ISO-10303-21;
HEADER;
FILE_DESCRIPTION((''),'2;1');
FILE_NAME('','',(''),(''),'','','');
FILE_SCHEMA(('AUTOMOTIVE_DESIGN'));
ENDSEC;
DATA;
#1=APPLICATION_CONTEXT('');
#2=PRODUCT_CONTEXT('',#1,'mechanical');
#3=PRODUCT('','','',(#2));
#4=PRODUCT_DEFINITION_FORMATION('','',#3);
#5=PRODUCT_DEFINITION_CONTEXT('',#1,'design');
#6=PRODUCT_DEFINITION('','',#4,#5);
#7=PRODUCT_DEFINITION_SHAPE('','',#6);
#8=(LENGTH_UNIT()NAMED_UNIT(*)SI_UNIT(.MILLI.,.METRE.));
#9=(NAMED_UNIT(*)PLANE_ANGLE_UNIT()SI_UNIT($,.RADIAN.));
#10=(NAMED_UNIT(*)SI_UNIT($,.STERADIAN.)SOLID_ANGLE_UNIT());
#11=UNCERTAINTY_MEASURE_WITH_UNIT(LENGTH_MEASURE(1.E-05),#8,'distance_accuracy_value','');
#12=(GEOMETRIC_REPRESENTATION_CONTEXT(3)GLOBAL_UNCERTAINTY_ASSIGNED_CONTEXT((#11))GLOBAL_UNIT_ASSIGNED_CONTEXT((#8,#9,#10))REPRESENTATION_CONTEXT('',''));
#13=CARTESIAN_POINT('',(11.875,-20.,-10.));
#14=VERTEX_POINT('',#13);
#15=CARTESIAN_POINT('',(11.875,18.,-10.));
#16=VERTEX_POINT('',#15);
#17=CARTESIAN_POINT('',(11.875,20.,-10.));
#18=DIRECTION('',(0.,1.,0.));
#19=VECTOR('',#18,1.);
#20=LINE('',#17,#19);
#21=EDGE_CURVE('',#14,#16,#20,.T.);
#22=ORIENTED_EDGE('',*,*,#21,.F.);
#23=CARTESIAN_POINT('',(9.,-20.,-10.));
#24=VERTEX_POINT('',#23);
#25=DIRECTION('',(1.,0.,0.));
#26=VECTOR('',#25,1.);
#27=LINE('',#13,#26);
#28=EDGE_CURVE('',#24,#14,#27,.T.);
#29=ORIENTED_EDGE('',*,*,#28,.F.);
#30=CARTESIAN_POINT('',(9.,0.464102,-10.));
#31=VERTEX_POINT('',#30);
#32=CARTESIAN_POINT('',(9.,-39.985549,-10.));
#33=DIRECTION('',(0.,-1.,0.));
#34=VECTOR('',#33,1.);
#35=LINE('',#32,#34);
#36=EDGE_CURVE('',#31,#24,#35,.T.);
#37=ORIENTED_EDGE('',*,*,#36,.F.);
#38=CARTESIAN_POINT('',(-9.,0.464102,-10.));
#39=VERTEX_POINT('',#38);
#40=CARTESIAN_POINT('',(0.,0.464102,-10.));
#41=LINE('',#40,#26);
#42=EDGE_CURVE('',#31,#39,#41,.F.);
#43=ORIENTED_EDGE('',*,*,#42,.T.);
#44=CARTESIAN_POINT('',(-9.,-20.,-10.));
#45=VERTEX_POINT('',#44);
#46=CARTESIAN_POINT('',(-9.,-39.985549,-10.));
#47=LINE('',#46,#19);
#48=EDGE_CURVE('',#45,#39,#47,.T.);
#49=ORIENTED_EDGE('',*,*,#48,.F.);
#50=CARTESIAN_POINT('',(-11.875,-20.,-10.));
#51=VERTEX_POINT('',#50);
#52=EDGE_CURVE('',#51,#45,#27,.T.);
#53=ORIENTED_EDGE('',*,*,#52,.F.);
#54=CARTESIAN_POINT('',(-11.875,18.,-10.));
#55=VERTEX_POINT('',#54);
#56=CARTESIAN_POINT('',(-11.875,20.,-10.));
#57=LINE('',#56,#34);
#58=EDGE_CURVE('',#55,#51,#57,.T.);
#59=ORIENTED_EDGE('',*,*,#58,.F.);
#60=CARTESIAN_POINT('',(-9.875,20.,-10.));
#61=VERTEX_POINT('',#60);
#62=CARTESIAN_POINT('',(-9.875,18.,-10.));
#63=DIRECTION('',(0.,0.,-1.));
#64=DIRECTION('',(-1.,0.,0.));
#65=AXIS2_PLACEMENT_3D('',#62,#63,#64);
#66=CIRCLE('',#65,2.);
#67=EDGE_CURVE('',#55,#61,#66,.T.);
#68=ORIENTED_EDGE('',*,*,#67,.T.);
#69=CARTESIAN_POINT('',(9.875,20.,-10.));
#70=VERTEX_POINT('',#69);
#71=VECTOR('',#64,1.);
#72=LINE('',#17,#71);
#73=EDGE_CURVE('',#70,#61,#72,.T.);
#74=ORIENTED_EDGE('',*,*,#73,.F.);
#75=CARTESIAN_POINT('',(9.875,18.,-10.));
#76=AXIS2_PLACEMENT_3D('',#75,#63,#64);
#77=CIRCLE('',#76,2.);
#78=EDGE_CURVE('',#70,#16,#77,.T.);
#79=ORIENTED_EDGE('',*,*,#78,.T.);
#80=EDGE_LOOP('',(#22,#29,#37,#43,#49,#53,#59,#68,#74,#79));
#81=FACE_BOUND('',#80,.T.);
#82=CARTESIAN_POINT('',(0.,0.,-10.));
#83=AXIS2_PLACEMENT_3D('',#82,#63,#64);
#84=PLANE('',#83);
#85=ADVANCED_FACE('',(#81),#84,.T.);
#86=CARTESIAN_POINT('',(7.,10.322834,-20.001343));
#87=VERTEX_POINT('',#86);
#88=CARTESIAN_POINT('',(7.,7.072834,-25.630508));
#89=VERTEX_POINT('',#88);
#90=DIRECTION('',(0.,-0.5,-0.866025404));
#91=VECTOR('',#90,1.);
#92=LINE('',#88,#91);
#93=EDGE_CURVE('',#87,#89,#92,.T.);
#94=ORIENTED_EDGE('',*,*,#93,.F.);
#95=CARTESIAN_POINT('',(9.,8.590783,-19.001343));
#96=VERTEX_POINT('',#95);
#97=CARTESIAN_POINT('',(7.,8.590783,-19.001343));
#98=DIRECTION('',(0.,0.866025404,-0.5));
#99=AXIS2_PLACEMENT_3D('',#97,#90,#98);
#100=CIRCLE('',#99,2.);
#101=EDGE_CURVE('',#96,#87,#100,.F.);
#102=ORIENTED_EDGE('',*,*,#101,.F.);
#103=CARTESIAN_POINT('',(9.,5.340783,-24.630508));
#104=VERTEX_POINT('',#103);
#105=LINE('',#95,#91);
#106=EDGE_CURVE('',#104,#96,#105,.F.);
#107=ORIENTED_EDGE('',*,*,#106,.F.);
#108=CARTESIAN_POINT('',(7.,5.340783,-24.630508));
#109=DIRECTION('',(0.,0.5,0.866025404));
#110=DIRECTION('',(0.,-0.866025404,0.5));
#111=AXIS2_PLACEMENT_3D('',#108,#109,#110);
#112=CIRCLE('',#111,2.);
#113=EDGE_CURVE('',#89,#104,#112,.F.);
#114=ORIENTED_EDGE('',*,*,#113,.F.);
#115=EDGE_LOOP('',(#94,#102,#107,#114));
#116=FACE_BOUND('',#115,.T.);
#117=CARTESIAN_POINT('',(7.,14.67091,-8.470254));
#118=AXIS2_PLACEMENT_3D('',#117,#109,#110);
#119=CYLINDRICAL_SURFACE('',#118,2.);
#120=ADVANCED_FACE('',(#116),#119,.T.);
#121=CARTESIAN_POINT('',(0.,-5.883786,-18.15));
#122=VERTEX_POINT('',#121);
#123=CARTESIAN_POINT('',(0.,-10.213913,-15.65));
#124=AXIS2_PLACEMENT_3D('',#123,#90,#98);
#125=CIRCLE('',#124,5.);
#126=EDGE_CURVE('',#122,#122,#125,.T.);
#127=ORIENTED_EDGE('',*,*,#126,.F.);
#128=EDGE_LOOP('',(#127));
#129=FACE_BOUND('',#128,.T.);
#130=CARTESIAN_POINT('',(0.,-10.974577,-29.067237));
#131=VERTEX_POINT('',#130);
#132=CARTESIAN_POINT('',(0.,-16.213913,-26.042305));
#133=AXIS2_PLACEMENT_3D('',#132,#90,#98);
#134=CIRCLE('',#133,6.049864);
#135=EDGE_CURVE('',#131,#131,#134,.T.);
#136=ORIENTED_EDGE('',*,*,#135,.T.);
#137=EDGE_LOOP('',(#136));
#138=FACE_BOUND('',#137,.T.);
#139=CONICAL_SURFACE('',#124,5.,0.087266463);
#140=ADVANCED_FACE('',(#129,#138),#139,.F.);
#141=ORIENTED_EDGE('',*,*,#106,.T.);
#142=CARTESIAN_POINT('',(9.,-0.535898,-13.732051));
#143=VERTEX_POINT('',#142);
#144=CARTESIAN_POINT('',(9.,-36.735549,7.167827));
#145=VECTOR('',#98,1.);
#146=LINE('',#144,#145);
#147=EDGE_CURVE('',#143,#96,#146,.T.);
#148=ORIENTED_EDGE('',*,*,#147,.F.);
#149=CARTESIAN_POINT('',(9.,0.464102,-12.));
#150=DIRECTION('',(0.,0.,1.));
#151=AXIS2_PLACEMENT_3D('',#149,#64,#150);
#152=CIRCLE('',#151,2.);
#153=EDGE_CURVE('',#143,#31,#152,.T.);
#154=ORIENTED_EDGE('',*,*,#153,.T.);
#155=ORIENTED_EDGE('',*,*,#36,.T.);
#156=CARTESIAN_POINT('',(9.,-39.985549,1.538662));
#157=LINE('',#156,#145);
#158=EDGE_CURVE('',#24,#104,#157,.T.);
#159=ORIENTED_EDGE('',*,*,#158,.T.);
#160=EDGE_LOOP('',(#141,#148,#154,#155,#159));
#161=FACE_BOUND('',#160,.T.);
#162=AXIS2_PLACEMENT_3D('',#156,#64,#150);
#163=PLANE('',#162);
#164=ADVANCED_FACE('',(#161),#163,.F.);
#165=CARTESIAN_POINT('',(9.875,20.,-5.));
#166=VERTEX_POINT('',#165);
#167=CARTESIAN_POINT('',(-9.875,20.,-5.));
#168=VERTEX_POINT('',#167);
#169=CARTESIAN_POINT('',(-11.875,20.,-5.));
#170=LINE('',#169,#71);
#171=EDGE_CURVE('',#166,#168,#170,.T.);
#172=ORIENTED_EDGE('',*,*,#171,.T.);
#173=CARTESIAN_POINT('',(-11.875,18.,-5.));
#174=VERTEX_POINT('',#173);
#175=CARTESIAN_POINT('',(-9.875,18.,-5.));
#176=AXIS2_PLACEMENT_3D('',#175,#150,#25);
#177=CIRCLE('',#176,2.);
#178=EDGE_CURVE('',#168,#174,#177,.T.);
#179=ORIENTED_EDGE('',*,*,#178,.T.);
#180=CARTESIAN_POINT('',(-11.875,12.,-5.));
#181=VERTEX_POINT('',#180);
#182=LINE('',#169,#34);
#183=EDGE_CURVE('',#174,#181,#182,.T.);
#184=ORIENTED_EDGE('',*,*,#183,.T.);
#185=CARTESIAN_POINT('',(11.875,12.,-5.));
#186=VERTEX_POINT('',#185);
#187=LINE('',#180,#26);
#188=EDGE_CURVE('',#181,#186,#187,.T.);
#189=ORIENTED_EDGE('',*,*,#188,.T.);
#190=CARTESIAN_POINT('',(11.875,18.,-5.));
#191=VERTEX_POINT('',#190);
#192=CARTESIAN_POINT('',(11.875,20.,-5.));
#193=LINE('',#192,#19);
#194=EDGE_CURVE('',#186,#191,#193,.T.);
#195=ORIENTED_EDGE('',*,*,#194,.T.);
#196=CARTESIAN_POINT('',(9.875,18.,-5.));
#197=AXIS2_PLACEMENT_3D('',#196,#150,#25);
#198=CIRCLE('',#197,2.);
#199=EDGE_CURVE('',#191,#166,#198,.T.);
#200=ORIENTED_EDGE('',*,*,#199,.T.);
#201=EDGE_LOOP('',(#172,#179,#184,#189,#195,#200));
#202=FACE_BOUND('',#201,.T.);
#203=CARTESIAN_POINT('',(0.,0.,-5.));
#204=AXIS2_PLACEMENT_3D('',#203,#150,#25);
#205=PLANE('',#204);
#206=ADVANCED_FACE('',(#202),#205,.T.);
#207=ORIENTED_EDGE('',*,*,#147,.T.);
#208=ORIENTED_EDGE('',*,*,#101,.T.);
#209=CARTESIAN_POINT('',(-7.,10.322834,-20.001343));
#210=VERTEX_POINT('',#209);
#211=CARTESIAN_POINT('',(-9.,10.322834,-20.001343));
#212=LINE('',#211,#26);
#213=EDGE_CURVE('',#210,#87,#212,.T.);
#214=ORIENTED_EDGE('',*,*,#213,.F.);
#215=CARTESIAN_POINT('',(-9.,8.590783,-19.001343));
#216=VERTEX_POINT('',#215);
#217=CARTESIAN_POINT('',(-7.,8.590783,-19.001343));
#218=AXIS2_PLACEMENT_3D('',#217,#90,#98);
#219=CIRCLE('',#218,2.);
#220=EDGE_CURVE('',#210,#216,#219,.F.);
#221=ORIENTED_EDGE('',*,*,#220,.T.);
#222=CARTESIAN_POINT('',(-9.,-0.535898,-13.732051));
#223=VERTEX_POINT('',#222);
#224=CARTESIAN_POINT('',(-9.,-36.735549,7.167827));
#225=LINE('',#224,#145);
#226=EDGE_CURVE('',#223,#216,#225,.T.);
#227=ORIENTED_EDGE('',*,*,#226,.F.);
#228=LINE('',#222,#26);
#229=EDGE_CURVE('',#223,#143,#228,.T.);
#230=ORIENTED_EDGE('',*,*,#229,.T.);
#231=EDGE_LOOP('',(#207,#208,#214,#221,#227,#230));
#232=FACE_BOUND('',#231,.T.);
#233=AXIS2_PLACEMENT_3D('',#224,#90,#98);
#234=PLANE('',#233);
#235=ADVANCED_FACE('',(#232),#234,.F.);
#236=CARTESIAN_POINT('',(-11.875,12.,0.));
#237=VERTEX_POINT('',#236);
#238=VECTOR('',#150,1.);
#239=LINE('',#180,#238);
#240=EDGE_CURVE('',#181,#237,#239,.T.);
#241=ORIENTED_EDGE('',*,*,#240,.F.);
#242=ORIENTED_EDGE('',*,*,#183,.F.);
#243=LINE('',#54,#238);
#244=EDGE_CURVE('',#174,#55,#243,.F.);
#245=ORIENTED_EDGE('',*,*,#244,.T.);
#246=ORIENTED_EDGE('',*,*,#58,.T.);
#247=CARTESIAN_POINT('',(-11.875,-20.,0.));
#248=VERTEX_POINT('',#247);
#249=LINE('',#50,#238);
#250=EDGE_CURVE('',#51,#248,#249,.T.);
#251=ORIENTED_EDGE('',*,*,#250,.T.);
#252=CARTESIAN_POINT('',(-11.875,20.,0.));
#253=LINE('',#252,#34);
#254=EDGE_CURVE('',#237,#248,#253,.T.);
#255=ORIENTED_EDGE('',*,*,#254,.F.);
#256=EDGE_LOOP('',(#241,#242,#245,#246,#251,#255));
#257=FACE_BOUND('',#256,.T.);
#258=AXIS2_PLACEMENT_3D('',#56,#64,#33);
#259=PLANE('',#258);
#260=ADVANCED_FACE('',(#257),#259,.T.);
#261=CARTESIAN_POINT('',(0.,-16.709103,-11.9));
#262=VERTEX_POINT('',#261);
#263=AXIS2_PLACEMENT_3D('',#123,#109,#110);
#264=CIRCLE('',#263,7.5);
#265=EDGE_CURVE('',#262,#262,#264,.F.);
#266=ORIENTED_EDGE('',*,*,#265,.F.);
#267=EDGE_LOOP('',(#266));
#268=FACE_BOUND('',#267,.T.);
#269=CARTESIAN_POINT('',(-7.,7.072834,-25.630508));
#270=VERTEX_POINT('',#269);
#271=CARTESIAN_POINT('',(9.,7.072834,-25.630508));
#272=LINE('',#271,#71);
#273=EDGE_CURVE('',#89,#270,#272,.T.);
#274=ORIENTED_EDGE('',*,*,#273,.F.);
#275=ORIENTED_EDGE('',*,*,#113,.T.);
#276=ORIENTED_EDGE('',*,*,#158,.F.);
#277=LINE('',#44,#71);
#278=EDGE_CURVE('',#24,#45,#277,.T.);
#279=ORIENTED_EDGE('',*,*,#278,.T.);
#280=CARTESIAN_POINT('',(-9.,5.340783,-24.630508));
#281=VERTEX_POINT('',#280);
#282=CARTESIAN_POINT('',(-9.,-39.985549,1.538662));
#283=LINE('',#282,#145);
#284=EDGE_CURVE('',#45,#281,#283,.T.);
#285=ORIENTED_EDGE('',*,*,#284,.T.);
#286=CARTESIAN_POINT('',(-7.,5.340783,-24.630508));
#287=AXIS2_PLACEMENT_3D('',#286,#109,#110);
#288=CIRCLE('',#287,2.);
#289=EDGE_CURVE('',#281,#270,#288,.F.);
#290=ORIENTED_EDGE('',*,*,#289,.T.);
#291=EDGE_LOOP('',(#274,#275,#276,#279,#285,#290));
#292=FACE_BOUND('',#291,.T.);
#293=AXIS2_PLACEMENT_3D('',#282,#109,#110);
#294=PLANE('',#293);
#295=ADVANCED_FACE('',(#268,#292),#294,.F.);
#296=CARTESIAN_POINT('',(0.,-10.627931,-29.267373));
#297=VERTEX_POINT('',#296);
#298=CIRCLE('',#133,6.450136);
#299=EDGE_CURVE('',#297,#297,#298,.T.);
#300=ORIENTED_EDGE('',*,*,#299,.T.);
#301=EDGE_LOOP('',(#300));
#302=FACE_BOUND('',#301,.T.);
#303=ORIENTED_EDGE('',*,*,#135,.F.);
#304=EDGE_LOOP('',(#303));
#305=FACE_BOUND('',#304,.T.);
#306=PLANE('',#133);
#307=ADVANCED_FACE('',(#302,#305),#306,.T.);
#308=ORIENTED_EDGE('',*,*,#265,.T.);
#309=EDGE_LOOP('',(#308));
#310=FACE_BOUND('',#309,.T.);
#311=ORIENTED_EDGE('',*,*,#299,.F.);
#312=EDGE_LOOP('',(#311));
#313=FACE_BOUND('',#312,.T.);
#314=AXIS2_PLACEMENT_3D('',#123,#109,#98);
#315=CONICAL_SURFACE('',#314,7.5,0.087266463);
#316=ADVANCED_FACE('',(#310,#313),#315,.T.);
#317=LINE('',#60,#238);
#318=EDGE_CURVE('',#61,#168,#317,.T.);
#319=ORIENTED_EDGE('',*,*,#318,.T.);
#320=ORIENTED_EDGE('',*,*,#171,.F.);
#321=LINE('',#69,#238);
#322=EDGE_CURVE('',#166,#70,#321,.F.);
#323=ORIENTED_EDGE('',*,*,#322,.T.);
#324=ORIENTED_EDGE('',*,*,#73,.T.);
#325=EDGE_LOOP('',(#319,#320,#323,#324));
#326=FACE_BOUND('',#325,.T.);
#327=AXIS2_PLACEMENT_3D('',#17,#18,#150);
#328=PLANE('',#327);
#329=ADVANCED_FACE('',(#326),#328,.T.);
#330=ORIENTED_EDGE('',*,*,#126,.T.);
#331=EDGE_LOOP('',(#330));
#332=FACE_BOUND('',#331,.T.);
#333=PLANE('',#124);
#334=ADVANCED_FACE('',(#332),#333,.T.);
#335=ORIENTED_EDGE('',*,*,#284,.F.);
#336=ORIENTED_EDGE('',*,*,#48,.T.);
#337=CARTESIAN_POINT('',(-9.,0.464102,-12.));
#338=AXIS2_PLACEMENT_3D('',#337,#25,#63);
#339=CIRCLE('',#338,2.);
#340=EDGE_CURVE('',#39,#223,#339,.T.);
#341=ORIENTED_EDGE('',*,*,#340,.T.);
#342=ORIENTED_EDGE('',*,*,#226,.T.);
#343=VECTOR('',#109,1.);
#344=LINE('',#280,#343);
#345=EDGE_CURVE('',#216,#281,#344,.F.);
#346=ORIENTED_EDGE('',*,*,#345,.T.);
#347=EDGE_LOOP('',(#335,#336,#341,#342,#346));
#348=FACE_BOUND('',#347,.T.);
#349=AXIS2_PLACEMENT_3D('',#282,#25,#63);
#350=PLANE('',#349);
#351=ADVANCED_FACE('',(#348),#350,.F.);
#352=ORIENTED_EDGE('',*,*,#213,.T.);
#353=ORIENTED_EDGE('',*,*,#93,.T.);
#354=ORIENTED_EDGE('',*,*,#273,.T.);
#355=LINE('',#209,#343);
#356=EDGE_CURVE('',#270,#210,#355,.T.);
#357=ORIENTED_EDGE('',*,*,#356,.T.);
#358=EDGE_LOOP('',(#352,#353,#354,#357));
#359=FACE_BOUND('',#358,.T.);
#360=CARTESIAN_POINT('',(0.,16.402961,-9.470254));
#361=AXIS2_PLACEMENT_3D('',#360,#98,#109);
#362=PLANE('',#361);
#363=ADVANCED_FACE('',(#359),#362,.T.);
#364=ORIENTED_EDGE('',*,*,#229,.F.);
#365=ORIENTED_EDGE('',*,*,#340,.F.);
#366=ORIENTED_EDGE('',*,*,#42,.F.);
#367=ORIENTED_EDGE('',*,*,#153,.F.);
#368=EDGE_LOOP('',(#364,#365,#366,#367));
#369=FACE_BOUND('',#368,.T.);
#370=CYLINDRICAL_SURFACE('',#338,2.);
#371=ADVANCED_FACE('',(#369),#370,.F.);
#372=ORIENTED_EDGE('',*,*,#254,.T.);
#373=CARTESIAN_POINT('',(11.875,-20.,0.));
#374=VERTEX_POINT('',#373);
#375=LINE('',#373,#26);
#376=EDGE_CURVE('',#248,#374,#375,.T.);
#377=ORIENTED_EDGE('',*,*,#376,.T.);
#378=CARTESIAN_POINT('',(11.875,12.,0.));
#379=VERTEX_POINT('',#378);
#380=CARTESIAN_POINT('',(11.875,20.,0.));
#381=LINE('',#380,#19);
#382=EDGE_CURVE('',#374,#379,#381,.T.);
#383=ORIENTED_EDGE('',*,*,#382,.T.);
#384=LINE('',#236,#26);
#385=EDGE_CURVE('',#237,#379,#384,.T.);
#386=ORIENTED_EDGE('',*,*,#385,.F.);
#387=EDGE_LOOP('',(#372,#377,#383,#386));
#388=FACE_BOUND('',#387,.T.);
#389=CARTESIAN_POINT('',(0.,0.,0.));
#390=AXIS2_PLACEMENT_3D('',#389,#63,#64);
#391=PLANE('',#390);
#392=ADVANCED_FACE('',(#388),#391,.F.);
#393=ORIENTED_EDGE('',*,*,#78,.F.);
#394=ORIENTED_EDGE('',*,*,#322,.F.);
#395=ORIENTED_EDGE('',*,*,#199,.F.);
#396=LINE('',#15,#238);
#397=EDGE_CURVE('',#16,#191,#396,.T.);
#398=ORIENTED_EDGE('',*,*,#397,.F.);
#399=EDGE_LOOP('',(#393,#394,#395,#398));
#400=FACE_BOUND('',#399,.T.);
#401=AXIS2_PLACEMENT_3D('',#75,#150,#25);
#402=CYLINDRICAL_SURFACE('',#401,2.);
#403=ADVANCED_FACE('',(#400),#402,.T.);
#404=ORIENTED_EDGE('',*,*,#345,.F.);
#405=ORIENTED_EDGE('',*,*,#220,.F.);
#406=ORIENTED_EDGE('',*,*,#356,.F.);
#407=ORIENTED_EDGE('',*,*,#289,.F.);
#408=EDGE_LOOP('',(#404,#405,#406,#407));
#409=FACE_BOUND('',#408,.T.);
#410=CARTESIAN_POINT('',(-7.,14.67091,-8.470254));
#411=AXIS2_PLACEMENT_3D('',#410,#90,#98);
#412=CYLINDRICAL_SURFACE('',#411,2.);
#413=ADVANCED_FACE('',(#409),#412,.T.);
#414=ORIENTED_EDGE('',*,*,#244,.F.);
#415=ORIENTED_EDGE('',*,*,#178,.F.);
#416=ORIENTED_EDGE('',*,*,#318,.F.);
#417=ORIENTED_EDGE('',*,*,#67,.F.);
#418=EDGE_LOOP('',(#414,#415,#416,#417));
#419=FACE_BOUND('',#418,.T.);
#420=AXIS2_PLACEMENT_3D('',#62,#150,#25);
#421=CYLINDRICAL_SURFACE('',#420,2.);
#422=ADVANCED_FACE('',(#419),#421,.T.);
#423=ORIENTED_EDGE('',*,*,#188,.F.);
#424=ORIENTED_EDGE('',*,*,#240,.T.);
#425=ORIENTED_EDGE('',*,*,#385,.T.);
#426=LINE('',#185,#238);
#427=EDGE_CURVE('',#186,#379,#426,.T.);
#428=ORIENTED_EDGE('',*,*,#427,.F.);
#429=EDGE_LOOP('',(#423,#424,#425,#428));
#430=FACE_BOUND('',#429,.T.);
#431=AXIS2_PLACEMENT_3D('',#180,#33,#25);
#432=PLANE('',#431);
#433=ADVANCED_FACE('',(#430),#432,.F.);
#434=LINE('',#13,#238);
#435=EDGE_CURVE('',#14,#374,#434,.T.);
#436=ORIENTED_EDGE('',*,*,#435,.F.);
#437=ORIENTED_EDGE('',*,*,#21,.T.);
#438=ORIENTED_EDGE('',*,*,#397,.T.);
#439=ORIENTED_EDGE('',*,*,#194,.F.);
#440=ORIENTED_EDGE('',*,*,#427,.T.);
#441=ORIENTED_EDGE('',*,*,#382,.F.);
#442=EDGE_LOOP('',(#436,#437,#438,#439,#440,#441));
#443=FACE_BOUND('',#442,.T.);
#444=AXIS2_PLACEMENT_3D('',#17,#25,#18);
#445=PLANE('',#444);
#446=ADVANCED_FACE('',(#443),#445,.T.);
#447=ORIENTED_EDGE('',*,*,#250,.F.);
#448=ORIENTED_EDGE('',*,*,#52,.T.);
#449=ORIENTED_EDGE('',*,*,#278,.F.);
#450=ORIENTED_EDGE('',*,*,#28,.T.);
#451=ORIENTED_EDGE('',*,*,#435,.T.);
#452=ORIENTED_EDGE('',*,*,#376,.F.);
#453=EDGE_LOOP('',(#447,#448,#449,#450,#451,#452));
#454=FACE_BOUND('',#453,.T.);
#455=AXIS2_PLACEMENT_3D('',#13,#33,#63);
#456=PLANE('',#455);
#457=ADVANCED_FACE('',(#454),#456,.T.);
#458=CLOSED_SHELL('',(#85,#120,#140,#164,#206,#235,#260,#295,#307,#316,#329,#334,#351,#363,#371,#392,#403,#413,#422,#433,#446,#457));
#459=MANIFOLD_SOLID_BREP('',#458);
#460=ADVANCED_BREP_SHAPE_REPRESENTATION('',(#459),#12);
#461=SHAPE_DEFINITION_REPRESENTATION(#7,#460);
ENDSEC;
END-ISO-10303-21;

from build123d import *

# Parameters (mm, degrees)
SKETCH1_W           = 23.75
SKETCH1_H           = 40
BOSS_EXTRUDE1_DEPTH = 10
SKETCH2_W           = 23.75
SKETCH2_H           = 8
CUT_EXTRUDE1_DEPTH  = 5
FILLET1_R           = 2
BOSS_EXTRUDE3_REACH = 44.573
SKETCH6_W           = 18
SKETCH6_H           = 6.5
SKETCH7_W           = 18
SKETCH7_H           = 6.5
CUT_EXTRUDE2_DEPTH  = 3.38
FILLET4_R           = 2
SKETCH8_R           = 7.5
BOSS_EXTRUDE4_DEPTH = 12
BOSS_EXTRUDE4_TAPER = 5
SKETCH9_R           = 5
CUT_EXTRUDE4_DEPTH  = 12
SKETCH10_R          = 5
CUT_EXTRUDE5_DEPTH  = 12
CUT_EXTRUDE5_DRAFT  = -5


with BuildPart() as part:
    # Sketch1 → Boss-Extrude1 (new body)
    with BuildSketch(Plane.XY):
        Rectangle(SKETCH1_W, SKETCH1_H)
    extrude(amount=-BOSS_EXTRUDE1_DEPTH)

    # Sketch2 → Cut-Extrude1 (cut)
    with BuildSketch(Plane.XY):
        with Locations((0, 16)):
            Rectangle(SKETCH2_W, SKETCH2_H)
    extrude(amount=-CUT_EXTRUDE1_DEPTH, mode=Mode.SUBTRACT)

    # Fillet1
    fillet1_edges = [part.edges().sort_by_distance(p)[0] for p in [
        (-11.875, 20, -7.5),
        (11.875, 20, -7.5),
    ]]
    fillet(fillet1_edges, radius=FILLET1_R)

    # Boss-Extrude3: up to this plane
    boss_extrude3_end = Plane(origin=(0, 0, -10), z_dir=(0, 0, -1))
    # Sketch6 → Boss-Extrude3 (add, up to the surface)
    with BuildSketch(Plane(origin=(0, 19.330127019, -11.160254038), x_dir=(-1, 0, 0), z_dir=(0, -0.866025403784438, 0.500000000000001)), mode=Mode.PRIVATE) as boss_extrude3_sk1:
        with Locations((0, 15.410254038)):
            Rectangle(SKETCH6_W, SKETCH6_H)
    boss_extrude3_tool1 = split(extrude(boss_extrude3_sk1.sketch, amount=BOSS_EXTRUDE3_REACH, mode=Mode.PRIVATE), bisect_by=boss_extrude3_end, keep=Keep.BOTH, mode=Mode.PRIVATE)
    add(boss_extrude3_tool1.solids().sort_by_distance((0, 11.625, -24.505926))[0])

    # Sketch7 → Cut-Extrude2 (cut)
    with BuildSketch(Plane(origin=(0, 19.330127019, -11.160254038), x_dir=(1, 0, 0), z_dir=(0, 0.866025403784438, -0.5000000000000012))):
        with Locations((0, 15.410254038)):
            Rectangle(SKETCH7_W, SKETCH7_H)
    extrude(amount=-CUT_EXTRUDE2_DEPTH, mode=Mode.SUBTRACT)

    # Fillet4
    fillet4_edges = [part.edges().sort_by_distance(p)[0] for p in [
        (0, -7, -10),
        (9, 8.697834135, -22.815925513),
        (-9, 8.697834135, -22.815925513),
    ]]
    fillet(fillet4_edges, radius=FILLET4_R)

    # Sketch8 → Boss-Extrude4 (add)
    with BuildSketch(Plane(origin=(0, -9.330127019, -16.160254038), x_dir=(-1, 0, 0), z_dir=(0, -0.500000000000001, -0.8660254037844382))):
        with Locations((0, -1.020508076)):
            Circle(SKETCH8_R)
    extrude(amount=BOSS_EXTRUDE4_DEPTH, taper=BOSS_EXTRUDE4_TAPER)

    # Sketch9 → Cut-Extrude4 (cut)
    with BuildSketch(Plane(origin=(0, -15.330127019, -26.552558883), x_dir=(-1, 0, 0), z_dir=(0, -0.5000000000000011, -0.8660254037844382))):
        with Locations(Location((0, -1.020508076, 0), (0, 0, 90))):
            Circle(SKETCH9_R)
    extrude(amount=-CUT_EXTRUDE4_DEPTH, mode=Mode.SUBTRACT)


with BuildPart() as cut_extrude5_tool:
    # Sketch10 → Cut-Extrude5 (with draft: the straight prism first)
    with BuildSketch(Plane(origin=(0, -9.330127019, -16.160254038), x_dir=(-1, 0, 0), z_dir=(0, -0.5000000000000012, -0.866025403784438))):
        with Locations((0, -1.020508076)):
            Circle(SKETCH10_R)
    extrude(amount=CUT_EXTRUDE5_DEPTH)
    # Cut-Extrude5: the draft: its side faces are tilted about the plane it starts from
    cut_extrude5_sides = [cut_extrude5_tool.faces().sort_by_distance(p)[0] for p in [
        (5, -13.213912937, -20.846152423),
    ]]
    draft(cut_extrude5_sides, Plane(origin=(0, -9.330127019, -16.160254038), x_dir=(-1, 0, 0), z_dir=(0, -0.5000000000000012, -0.866025403784438)), CUT_EXTRUDE5_DRAFT)


with BuildPart() as part_1:
    add(part.part)

    # Cut-Extrude5: cut by cut_extrude5_tool
    add(cut_extrude5_tool.part, mode=Mode.SUBTRACT)


solid = part_1.part
